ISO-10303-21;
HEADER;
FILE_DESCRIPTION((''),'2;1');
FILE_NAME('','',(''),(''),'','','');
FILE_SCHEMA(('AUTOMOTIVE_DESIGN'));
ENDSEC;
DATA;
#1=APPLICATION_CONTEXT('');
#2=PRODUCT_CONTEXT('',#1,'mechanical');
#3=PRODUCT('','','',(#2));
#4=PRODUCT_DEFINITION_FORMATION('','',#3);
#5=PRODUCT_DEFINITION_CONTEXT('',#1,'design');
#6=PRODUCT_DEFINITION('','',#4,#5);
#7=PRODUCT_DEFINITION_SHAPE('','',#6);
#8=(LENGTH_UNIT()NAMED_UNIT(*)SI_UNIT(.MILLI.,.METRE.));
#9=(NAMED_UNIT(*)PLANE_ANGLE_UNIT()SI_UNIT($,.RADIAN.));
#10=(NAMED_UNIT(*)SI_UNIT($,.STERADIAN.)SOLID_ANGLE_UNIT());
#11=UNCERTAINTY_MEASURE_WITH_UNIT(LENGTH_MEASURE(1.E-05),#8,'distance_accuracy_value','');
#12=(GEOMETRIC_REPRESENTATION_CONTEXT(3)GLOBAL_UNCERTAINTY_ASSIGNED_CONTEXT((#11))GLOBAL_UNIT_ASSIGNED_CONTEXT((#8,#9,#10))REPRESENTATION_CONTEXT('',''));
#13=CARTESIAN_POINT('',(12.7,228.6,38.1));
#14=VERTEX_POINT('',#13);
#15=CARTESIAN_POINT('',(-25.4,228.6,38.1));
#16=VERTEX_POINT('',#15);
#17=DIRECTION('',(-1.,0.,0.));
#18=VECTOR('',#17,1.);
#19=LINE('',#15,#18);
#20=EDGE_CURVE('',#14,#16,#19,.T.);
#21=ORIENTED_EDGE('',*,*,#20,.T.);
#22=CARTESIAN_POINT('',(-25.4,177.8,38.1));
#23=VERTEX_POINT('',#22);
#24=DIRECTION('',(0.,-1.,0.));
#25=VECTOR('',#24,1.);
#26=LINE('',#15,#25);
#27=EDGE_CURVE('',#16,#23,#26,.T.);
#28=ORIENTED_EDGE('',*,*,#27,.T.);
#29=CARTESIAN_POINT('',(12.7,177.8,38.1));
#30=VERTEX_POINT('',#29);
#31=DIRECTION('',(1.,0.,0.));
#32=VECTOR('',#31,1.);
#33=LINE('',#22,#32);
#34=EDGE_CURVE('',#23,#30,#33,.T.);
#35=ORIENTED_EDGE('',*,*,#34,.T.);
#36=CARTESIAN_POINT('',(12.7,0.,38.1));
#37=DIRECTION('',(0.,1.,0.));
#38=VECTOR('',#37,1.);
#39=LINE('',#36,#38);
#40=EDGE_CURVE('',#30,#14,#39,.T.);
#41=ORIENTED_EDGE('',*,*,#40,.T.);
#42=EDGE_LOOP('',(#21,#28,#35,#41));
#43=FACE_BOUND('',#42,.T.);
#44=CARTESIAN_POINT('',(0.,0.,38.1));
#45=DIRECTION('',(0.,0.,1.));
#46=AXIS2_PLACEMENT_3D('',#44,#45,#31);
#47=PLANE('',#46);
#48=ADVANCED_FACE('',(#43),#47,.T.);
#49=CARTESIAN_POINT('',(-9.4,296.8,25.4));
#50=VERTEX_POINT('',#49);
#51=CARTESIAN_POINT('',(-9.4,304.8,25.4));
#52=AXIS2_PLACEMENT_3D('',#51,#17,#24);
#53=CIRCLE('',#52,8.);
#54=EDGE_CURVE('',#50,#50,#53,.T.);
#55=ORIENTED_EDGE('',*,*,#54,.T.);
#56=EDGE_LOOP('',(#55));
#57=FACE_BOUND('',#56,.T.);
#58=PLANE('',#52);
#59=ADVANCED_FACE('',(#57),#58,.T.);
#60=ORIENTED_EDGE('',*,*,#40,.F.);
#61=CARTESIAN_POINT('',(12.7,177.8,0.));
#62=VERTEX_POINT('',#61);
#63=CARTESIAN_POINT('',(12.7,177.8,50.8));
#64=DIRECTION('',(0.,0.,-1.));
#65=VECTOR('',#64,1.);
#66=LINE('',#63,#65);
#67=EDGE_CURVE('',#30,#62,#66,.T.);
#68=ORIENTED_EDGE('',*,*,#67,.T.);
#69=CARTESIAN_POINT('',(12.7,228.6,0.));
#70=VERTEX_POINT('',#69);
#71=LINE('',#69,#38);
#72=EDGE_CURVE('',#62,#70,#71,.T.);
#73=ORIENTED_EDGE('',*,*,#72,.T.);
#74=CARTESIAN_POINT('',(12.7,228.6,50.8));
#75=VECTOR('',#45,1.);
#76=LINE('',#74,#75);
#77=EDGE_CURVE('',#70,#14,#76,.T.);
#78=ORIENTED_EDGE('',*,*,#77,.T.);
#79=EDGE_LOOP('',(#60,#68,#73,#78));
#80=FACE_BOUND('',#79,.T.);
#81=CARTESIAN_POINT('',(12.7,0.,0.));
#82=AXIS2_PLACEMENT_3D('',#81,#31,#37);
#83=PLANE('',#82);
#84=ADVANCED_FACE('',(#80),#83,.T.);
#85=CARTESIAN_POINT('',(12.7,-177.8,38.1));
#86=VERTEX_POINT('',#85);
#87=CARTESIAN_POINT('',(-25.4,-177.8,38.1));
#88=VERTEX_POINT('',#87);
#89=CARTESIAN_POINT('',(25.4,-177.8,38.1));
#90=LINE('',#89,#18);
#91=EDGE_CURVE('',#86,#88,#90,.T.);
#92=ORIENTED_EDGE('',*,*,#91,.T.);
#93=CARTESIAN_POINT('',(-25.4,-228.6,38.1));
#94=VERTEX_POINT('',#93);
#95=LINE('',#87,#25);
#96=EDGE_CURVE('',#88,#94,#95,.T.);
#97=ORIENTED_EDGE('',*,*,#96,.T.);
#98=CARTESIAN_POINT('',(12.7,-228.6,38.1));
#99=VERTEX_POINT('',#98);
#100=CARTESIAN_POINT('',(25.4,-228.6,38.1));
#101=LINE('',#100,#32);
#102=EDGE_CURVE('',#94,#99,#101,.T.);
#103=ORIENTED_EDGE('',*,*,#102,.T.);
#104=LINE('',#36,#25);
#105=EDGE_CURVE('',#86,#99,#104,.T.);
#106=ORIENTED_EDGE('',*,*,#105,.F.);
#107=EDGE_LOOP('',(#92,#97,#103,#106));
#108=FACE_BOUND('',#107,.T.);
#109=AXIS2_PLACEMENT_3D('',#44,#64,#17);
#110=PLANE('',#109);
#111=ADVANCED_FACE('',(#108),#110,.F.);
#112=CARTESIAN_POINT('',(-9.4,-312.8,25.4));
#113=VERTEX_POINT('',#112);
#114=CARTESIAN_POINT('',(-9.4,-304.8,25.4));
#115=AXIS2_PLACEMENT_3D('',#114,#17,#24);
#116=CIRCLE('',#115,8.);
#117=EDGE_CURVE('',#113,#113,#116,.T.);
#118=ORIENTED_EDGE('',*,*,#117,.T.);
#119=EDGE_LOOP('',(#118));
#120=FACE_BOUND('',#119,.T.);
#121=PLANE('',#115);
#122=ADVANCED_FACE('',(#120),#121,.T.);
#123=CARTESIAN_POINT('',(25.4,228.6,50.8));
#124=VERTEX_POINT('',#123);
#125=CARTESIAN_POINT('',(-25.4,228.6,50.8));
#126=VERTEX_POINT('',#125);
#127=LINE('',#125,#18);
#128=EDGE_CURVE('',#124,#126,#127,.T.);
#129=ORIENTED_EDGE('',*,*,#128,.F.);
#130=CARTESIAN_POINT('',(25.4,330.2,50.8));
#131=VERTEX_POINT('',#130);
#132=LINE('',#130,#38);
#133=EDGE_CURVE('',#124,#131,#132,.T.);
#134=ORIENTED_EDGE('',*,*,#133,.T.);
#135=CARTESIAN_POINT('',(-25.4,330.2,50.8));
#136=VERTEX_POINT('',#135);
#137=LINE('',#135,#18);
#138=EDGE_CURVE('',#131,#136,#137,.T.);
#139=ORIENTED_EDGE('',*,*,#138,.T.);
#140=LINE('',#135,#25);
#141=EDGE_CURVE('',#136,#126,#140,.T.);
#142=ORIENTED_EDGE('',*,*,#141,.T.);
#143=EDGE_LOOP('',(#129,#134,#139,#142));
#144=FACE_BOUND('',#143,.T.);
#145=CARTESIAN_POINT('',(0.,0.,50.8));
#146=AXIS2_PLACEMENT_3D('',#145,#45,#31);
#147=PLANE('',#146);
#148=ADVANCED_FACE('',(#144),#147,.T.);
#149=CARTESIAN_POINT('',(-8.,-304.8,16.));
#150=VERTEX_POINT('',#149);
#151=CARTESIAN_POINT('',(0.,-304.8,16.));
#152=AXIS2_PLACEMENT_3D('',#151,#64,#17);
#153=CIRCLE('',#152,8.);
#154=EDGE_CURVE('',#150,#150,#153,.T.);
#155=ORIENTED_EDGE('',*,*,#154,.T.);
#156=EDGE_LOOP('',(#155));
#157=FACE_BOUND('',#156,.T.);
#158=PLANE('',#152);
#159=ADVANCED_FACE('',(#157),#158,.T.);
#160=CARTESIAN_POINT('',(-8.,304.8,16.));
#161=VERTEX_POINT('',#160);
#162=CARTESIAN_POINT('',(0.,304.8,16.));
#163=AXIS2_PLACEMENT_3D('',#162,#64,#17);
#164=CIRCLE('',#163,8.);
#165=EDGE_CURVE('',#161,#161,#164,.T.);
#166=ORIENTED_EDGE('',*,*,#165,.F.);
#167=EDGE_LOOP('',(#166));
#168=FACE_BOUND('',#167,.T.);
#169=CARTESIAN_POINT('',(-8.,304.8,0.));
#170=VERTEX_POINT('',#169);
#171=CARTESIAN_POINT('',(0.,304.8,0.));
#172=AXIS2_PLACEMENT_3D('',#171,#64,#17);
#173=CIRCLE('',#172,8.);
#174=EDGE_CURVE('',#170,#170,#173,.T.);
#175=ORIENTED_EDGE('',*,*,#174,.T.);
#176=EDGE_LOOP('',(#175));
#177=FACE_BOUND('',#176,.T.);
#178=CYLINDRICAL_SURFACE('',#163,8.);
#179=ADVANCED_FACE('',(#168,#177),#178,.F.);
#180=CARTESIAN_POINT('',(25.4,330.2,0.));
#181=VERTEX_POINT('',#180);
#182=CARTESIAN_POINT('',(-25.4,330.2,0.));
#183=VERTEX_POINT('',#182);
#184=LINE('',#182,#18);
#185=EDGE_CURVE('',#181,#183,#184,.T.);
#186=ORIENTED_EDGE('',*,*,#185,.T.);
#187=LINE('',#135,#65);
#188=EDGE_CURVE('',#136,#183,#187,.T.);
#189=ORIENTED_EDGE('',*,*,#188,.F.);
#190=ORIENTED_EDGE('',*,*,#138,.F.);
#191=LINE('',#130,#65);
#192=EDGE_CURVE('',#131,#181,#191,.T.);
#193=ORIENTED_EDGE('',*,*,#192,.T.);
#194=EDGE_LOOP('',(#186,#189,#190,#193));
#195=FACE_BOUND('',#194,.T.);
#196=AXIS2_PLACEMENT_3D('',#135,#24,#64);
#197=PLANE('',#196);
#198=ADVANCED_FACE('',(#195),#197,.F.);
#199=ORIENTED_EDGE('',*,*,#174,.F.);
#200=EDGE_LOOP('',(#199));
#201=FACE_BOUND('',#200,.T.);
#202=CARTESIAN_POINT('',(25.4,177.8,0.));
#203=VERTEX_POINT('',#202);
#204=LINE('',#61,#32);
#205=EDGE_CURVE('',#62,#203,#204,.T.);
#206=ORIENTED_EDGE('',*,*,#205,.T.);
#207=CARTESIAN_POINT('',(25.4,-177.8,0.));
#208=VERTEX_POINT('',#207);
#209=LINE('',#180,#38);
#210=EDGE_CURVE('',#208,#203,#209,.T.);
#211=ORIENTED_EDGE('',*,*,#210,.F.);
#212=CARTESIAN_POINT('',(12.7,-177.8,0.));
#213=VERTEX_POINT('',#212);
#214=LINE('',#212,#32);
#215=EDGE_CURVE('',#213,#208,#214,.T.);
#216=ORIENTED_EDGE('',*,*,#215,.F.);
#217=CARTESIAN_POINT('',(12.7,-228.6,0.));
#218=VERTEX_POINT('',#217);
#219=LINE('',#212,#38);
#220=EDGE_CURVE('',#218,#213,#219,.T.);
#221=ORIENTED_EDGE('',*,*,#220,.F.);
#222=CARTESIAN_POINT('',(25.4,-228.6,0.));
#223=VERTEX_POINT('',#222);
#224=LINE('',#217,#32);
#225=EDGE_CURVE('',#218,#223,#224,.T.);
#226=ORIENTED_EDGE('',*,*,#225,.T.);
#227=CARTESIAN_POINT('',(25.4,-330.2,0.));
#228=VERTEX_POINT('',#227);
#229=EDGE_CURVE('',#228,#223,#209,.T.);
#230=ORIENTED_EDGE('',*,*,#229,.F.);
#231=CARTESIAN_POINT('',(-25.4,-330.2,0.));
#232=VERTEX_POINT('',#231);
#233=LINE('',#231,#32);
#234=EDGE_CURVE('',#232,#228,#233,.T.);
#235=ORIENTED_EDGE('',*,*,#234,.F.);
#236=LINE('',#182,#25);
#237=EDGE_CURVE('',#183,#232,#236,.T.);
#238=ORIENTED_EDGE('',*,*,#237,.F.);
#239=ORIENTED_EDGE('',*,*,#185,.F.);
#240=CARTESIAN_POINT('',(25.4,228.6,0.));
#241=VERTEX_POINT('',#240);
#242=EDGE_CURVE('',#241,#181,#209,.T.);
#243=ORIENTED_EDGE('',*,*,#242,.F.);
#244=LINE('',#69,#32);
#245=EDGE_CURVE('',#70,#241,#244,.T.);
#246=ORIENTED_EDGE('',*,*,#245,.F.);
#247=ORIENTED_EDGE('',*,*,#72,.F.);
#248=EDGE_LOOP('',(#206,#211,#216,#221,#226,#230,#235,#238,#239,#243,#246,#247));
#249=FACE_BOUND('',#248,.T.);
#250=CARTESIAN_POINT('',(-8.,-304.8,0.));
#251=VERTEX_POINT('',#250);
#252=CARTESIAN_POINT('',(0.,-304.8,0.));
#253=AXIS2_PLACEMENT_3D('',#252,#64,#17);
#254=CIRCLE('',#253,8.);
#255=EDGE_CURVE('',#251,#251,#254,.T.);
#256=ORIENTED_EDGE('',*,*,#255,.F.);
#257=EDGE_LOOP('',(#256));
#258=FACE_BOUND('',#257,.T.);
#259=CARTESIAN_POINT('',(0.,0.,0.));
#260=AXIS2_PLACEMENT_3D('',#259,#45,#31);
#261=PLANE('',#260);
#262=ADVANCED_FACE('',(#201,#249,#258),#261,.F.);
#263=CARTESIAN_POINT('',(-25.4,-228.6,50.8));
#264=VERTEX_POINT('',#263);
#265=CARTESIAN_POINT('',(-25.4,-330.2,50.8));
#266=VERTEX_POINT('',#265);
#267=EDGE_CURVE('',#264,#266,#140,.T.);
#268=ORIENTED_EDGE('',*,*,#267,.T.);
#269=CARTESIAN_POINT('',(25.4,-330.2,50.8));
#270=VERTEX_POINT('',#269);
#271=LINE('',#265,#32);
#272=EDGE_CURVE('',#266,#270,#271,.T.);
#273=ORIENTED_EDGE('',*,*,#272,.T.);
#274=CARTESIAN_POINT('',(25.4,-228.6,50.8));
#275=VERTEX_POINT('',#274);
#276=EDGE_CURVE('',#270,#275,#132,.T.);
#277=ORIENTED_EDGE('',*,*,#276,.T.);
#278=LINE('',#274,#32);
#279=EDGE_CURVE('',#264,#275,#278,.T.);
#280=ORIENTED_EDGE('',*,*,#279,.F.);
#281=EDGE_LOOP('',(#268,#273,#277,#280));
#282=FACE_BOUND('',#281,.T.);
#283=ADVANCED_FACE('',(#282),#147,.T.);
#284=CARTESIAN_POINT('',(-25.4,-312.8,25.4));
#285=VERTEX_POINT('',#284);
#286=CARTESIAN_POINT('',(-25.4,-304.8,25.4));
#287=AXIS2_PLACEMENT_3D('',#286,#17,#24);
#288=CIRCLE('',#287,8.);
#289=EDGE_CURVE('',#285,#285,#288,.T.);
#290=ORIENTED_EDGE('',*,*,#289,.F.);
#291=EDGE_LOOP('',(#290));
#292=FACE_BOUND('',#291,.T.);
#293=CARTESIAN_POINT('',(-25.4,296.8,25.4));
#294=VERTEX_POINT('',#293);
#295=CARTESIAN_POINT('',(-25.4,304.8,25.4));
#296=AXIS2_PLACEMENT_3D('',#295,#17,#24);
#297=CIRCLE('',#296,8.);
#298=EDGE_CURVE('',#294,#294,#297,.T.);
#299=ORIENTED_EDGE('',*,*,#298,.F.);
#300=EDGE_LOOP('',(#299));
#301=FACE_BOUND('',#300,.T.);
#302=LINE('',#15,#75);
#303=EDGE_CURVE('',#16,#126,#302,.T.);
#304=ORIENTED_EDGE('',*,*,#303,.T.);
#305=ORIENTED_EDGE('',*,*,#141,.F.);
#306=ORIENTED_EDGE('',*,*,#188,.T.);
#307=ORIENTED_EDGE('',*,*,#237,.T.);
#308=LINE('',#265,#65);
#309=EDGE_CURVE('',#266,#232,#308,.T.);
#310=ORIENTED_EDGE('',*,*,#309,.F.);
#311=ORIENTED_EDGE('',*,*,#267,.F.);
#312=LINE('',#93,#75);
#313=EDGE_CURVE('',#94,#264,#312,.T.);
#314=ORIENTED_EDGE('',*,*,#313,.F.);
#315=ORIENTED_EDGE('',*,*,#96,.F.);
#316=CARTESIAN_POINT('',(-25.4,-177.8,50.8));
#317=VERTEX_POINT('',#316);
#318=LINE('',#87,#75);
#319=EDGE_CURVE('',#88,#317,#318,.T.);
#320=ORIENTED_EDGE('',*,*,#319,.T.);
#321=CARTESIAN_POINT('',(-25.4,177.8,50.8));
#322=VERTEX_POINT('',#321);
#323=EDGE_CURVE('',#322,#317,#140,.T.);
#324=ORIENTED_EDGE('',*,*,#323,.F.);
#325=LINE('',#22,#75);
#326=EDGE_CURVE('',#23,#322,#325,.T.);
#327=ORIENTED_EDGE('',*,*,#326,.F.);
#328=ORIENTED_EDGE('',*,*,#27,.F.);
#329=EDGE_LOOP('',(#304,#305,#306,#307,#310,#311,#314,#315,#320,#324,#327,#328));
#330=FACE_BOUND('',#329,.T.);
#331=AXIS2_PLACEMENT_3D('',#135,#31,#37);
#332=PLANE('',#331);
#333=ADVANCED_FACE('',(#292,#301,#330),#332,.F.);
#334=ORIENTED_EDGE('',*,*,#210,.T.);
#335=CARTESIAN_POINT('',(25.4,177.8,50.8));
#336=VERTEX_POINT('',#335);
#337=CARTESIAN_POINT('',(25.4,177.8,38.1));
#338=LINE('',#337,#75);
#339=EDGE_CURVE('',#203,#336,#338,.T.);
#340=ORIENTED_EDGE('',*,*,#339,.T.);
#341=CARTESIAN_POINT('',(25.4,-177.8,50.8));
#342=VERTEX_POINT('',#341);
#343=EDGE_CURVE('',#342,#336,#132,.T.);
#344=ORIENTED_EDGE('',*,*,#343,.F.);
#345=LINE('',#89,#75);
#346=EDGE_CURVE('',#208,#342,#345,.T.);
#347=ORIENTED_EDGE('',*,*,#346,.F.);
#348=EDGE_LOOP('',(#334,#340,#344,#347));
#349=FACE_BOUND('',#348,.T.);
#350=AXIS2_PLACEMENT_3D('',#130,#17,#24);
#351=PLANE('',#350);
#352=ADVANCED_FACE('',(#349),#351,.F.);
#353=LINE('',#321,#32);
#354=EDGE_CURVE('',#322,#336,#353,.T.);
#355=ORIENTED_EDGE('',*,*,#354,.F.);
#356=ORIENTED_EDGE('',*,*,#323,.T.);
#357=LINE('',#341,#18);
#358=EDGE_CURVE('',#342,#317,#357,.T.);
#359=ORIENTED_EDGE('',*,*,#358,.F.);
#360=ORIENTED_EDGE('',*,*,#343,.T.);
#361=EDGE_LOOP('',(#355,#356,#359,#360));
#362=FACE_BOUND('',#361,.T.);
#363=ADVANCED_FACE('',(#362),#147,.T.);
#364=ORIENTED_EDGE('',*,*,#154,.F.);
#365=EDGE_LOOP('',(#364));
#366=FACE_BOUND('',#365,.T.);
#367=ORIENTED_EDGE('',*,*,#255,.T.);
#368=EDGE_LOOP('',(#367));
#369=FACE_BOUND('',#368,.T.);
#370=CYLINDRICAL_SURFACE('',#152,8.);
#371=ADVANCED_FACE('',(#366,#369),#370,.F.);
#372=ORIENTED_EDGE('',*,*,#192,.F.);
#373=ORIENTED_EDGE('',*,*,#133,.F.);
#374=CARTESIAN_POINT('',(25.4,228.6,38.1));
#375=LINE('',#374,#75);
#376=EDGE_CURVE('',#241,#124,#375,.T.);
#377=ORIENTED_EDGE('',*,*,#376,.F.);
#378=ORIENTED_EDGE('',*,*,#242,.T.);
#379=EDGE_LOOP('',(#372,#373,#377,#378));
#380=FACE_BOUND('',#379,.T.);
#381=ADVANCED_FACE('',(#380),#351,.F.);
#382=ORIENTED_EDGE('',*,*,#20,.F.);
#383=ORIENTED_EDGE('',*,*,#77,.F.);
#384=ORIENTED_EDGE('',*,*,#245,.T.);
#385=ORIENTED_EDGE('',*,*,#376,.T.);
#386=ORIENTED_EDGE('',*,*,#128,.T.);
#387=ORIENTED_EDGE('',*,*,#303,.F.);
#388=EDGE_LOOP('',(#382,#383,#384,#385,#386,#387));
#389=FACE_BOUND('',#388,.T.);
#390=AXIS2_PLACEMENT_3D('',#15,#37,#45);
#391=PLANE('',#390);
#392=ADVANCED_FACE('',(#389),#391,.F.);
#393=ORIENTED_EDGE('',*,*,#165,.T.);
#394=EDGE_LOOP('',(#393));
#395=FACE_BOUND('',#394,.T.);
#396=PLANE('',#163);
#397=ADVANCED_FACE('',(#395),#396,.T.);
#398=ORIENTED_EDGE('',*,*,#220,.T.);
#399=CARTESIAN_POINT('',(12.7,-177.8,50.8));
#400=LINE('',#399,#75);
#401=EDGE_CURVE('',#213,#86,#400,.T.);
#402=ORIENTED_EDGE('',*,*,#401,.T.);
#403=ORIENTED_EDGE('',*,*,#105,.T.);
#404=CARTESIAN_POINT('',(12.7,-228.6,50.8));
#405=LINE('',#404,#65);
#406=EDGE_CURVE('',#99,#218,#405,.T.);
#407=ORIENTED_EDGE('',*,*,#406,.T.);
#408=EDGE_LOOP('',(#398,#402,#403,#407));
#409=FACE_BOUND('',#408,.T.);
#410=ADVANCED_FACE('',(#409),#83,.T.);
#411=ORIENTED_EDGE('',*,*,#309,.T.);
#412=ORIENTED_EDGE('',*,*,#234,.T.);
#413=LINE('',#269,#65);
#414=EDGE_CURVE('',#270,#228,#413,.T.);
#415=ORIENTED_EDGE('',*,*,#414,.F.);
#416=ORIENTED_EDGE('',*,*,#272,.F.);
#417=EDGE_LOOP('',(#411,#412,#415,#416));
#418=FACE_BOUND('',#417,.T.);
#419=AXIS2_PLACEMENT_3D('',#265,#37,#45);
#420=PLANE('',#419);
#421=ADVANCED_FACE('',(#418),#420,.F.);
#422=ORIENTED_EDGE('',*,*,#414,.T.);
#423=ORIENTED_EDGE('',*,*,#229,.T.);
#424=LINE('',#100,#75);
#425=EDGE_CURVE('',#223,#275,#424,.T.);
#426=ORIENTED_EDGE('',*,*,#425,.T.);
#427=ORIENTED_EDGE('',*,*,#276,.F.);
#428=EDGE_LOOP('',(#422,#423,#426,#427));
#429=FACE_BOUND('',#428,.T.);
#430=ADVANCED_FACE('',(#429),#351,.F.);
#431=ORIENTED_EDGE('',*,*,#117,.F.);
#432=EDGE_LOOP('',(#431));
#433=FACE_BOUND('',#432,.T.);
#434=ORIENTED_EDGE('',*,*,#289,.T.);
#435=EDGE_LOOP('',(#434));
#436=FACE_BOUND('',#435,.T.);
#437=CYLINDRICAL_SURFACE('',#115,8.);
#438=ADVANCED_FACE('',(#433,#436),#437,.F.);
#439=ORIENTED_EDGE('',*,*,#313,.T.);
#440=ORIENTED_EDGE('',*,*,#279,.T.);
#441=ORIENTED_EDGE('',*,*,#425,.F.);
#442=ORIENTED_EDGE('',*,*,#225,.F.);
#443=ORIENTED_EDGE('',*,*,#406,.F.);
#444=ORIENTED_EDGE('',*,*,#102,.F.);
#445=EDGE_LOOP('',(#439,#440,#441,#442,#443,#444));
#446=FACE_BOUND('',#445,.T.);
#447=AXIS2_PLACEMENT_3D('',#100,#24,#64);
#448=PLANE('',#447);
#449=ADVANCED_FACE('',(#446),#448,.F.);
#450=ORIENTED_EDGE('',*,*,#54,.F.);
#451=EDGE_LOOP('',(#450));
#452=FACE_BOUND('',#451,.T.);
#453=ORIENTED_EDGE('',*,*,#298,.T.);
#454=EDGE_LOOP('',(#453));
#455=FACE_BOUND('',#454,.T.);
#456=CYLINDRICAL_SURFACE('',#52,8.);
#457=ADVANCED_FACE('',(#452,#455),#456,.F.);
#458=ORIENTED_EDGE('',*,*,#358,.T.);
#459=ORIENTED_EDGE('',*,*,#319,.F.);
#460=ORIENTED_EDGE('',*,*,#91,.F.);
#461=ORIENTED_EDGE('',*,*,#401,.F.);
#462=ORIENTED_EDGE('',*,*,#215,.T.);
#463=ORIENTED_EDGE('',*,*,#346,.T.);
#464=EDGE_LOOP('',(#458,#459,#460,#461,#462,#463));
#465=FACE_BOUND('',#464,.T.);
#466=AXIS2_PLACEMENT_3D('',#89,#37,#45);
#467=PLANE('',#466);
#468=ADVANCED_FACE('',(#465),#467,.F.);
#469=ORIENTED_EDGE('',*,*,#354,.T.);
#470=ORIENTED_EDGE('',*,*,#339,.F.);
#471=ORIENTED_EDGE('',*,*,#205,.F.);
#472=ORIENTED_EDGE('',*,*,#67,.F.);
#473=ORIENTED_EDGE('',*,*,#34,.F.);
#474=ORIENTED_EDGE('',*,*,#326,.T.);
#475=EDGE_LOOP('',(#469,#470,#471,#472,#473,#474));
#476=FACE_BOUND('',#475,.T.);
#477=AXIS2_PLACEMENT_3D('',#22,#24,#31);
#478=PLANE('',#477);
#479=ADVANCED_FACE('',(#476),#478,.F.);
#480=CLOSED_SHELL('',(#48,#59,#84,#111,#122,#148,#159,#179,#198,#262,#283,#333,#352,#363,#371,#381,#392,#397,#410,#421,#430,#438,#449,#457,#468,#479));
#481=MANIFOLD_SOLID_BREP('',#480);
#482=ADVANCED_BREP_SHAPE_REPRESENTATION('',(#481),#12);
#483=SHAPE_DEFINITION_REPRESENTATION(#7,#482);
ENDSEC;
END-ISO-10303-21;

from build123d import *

# Parameters (mm, degrees)
SKETCH2_W           = 50.8
SKETCH2_H           = 660.4
BOSS_EXTRUDE1_DEPTH = 50.8
SKETCH5_W           = 50.8
SKETCH5_H           = 50.8
CUT_EXTRUDE1_DEPTH  = 12.7
SKETCH6_W           = 50.8
SKETCH6_H           = 50.8
CUT_EXTRUDE2_DEPTH  = 12.7
SKETCH10_W          = 50.8
SKETCH10_H          = 50.8
CUT_EXTRUDE3_DEPTH  = 12.7
SKETCH11_W          = 50.8
SKETCH11_H          = 50.8
CUT_EXTRUDE4_DEPTH  = 12.7
SKETCH12_R          = 8
CUT_EXTRUDE5_DEPTH  = 16
SKETCH13_R          = 8
CUT_EXTRUDE6_DEPTH  = 16
SKETCH14_R          = 8
CUT_EXTRUDE7_DEPTH  = 16
SKETCH15_R          = 8
CUT_EXTRUDE8_DEPTH  = 16


with BuildPart() as part:
    # Sketch2 → Boss-Extrude1 (new body)
    with BuildSketch(Plane.XY):
        Rectangle(SKETCH2_W, SKETCH2_H)
    extrude(amount=BOSS_EXTRUDE1_DEPTH)

    # Sketch5 → Cut-Extrude1 (cut)
    with BuildSketch(Plane.XY.offset(50.8)):
        with Locations((0, 203.2)):
            Rectangle(SKETCH5_W, SKETCH5_H)
    extrude(amount=-CUT_EXTRUDE1_DEPTH, mode=Mode.SUBTRACT)

    # Sketch6 → Cut-Extrude2 (cut)
    with BuildSketch(Plane(origin=(25.4, 0, 0), x_dir=(0, 0, -1), z_dir=(1, 0, 0))):
        with Locations((-25.4, 203.2)):
            Rectangle(SKETCH6_W, SKETCH6_H)
    extrude(amount=-CUT_EXTRUDE2_DEPTH, mode=Mode.SUBTRACT)

    # Sketch10 → Cut-Extrude3 (cut)
    with BuildSketch(Plane.XY.offset(50.8)):
        with Locations((0, -203.2)):
            Rectangle(SKETCH10_W, SKETCH10_H)
    extrude(amount=-CUT_EXTRUDE3_DEPTH, mode=Mode.SUBTRACT)

    # Sketch11 → Cut-Extrude4 (cut)
    with BuildSketch(Plane(origin=(25.4, 0, 0), x_dir=(0, 0, -1), z_dir=(1, 0, 0))):
        with Locations((-25.4, -203.2)):
            Rectangle(SKETCH11_W, SKETCH11_H)
    extrude(amount=-CUT_EXTRUDE4_DEPTH, mode=Mode.SUBTRACT)

    # Sketch12 → Cut-Extrude5 (cut)
    with BuildSketch(Plane(origin=(0, 0, 0), x_dir=(-1, 0, 0), z_dir=(0, 0, -1))):
        with Locations((0, 304.8)):
            Circle(SKETCH12_R)
    extrude(amount=-CUT_EXTRUDE5_DEPTH, mode=Mode.SUBTRACT)

    # Sketch13 → Cut-Extrude6 (cut)
    with BuildSketch(Plane.ZY.offset(25.4)):
        with Locations((25.4, 304.8)):
            Circle(SKETCH13_R)
    extrude(amount=-CUT_EXTRUDE6_DEPTH, mode=Mode.SUBTRACT)

    # Sketch14 → Cut-Extrude7 (cut)
    with BuildSketch(Plane(origin=(0, 0, 0), x_dir=(-1, 0, 0), z_dir=(0, 0, -1))):
        with Locations((0, -304.8)):
            Circle(SKETCH14_R)
    extrude(amount=-CUT_EXTRUDE7_DEPTH, mode=Mode.SUBTRACT)

    # Sketch15 → Cut-Extrude8 (cut)
    with BuildSketch(Plane.ZY.offset(25.4)):
        with Locations((25.4, -304.8)):
            Circle(SKETCH15_R)
    extrude(amount=-CUT_EXTRUDE8_DEPTH, mode=Mode.SUBTRACT)


solid = part.part
